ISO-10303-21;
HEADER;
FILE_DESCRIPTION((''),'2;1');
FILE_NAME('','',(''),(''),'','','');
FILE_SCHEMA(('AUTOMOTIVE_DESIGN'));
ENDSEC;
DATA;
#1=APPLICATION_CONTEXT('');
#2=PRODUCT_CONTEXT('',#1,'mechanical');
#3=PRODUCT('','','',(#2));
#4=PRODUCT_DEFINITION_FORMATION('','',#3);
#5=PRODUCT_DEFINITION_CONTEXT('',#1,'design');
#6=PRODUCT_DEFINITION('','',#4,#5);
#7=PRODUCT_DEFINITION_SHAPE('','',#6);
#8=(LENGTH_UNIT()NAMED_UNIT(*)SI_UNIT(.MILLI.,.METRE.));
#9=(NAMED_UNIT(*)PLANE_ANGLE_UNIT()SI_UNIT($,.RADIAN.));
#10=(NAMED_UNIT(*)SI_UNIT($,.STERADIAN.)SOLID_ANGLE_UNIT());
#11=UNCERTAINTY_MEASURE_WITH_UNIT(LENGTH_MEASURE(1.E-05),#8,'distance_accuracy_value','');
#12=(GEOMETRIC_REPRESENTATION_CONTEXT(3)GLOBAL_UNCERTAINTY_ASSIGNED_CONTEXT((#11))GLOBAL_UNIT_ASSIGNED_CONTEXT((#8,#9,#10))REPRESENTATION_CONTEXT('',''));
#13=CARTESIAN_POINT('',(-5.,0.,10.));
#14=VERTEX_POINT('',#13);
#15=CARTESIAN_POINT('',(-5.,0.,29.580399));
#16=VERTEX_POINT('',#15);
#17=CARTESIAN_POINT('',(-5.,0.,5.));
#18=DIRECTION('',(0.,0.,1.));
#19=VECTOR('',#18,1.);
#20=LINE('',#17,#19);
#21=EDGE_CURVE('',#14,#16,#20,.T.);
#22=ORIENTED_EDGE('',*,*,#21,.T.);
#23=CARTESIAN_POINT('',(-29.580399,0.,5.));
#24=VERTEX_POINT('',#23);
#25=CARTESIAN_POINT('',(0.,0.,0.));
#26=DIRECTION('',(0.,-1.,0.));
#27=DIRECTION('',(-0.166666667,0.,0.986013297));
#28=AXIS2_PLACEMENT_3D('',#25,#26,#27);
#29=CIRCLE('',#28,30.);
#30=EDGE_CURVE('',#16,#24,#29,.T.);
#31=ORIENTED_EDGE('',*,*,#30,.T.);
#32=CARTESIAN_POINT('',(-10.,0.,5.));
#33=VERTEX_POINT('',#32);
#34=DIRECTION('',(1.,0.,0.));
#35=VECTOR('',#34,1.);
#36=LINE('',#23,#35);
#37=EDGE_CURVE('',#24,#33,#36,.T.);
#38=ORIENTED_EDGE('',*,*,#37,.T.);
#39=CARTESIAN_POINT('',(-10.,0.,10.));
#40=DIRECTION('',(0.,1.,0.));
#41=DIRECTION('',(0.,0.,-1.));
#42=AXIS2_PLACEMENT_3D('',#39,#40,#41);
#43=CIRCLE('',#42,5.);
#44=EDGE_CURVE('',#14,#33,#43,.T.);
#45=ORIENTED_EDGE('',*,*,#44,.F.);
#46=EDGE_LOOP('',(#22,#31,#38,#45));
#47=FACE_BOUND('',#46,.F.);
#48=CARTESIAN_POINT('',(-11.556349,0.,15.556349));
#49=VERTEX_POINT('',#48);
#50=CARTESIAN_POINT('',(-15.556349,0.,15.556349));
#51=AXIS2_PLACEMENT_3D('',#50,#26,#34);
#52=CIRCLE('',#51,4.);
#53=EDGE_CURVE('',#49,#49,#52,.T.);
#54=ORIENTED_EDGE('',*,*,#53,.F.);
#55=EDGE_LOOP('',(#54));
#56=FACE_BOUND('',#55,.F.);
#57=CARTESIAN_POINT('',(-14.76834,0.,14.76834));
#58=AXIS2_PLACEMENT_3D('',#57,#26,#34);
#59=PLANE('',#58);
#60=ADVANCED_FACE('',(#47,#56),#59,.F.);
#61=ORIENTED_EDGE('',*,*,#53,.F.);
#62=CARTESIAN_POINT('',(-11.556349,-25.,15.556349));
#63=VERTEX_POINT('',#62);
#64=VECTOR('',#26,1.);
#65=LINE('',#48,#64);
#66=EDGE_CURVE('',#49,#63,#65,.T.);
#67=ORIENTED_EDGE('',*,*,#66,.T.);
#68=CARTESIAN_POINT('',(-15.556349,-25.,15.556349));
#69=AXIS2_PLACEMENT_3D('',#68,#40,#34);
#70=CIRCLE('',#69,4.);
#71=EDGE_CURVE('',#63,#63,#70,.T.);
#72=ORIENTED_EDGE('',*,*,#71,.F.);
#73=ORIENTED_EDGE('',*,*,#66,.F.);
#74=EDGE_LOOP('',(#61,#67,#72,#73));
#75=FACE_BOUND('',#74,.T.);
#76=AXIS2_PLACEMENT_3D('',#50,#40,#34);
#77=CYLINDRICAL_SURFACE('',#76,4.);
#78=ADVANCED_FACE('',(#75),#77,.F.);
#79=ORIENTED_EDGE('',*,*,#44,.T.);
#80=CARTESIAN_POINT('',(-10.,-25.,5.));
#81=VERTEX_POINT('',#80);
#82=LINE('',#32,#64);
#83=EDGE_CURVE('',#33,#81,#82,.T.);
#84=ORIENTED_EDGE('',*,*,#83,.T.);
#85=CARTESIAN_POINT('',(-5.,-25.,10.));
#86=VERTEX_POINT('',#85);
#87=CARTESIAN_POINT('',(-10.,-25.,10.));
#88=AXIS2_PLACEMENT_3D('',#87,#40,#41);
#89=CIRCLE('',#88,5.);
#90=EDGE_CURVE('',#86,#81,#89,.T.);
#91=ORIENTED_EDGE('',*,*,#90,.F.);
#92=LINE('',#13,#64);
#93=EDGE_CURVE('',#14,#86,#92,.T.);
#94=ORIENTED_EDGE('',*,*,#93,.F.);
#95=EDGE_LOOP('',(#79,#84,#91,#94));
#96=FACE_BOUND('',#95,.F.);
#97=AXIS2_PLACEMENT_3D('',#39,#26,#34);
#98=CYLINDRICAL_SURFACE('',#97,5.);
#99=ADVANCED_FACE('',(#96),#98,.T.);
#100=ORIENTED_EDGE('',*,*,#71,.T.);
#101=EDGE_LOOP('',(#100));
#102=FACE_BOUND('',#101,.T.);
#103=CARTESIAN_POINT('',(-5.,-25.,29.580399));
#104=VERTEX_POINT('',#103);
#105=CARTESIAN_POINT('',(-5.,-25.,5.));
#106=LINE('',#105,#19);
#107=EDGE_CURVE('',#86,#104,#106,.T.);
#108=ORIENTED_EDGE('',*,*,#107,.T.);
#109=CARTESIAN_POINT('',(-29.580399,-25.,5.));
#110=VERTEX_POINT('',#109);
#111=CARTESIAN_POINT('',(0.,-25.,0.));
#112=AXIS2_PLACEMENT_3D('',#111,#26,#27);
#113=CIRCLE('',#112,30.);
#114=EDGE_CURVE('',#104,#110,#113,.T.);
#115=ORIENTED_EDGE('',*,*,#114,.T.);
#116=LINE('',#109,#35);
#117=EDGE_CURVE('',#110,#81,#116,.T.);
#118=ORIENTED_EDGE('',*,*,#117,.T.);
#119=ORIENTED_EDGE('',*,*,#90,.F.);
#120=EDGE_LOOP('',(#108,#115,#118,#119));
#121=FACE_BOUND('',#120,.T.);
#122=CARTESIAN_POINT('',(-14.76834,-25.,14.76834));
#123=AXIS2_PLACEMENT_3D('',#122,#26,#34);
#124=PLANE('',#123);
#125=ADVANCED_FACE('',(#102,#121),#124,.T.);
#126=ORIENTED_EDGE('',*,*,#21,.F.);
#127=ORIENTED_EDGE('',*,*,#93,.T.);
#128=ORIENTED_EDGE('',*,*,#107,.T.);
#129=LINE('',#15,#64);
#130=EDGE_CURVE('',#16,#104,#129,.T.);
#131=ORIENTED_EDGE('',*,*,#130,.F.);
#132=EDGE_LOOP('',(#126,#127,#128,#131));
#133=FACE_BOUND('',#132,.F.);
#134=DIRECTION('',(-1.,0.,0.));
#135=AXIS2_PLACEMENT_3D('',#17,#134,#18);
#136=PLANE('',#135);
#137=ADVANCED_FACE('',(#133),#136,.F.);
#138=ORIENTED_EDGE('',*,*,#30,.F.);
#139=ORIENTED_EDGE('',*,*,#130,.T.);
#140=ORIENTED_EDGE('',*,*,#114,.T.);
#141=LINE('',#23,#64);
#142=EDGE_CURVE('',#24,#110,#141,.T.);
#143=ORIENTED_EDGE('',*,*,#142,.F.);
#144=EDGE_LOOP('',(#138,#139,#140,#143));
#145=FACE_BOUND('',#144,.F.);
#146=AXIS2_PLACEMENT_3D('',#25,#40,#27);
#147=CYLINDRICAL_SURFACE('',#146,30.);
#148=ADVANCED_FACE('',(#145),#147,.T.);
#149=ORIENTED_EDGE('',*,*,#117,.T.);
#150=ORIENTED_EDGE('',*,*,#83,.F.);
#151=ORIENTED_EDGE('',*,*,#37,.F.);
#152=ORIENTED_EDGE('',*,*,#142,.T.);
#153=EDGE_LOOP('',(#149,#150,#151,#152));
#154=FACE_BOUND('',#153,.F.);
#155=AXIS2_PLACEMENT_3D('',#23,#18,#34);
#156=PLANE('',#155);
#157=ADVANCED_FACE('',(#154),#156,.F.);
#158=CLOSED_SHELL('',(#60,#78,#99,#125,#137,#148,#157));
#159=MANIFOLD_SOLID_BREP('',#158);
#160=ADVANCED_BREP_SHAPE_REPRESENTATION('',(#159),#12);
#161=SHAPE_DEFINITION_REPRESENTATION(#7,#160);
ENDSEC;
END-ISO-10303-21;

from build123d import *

# Parameters (mm, degrees)
F1_DEPTH = 25
F2_R     = 5
F3_R     = 4
F4_DEPTH = 47.8


with BuildPart() as f1:
    # F0 (on Front) → F1 (new body)
    with BuildSketch(Plane.XZ):
        with BuildLine():
            Line((-5, 5), (-5, 29.5803989155))
            ThreePointArc((-5, 29.5803989155), (-21.2132034356, 21.2132034356), (-29.5803989155, 5))
            Line((-29.5803989155, 5), (-5, 5))
        make_face()
    extrude(amount=F1_DEPTH)

    # F2
    f2_edges = [f1.edges().sort_by_distance(p)[0] for p in [
        (-5, -12.5, 5),
    ]]
    fillet(f2_edges, radius=F2_R)

    # F3 (on Front) → F4 (cut)
    with BuildSketch(Plane.XZ):
        with Locations((-15.5563491861, 15.5563491861)):
            Circle(F3_R)
    extrude(amount=F4_DEPTH, mode=Mode.SUBTRACT)


solid = f1.part
